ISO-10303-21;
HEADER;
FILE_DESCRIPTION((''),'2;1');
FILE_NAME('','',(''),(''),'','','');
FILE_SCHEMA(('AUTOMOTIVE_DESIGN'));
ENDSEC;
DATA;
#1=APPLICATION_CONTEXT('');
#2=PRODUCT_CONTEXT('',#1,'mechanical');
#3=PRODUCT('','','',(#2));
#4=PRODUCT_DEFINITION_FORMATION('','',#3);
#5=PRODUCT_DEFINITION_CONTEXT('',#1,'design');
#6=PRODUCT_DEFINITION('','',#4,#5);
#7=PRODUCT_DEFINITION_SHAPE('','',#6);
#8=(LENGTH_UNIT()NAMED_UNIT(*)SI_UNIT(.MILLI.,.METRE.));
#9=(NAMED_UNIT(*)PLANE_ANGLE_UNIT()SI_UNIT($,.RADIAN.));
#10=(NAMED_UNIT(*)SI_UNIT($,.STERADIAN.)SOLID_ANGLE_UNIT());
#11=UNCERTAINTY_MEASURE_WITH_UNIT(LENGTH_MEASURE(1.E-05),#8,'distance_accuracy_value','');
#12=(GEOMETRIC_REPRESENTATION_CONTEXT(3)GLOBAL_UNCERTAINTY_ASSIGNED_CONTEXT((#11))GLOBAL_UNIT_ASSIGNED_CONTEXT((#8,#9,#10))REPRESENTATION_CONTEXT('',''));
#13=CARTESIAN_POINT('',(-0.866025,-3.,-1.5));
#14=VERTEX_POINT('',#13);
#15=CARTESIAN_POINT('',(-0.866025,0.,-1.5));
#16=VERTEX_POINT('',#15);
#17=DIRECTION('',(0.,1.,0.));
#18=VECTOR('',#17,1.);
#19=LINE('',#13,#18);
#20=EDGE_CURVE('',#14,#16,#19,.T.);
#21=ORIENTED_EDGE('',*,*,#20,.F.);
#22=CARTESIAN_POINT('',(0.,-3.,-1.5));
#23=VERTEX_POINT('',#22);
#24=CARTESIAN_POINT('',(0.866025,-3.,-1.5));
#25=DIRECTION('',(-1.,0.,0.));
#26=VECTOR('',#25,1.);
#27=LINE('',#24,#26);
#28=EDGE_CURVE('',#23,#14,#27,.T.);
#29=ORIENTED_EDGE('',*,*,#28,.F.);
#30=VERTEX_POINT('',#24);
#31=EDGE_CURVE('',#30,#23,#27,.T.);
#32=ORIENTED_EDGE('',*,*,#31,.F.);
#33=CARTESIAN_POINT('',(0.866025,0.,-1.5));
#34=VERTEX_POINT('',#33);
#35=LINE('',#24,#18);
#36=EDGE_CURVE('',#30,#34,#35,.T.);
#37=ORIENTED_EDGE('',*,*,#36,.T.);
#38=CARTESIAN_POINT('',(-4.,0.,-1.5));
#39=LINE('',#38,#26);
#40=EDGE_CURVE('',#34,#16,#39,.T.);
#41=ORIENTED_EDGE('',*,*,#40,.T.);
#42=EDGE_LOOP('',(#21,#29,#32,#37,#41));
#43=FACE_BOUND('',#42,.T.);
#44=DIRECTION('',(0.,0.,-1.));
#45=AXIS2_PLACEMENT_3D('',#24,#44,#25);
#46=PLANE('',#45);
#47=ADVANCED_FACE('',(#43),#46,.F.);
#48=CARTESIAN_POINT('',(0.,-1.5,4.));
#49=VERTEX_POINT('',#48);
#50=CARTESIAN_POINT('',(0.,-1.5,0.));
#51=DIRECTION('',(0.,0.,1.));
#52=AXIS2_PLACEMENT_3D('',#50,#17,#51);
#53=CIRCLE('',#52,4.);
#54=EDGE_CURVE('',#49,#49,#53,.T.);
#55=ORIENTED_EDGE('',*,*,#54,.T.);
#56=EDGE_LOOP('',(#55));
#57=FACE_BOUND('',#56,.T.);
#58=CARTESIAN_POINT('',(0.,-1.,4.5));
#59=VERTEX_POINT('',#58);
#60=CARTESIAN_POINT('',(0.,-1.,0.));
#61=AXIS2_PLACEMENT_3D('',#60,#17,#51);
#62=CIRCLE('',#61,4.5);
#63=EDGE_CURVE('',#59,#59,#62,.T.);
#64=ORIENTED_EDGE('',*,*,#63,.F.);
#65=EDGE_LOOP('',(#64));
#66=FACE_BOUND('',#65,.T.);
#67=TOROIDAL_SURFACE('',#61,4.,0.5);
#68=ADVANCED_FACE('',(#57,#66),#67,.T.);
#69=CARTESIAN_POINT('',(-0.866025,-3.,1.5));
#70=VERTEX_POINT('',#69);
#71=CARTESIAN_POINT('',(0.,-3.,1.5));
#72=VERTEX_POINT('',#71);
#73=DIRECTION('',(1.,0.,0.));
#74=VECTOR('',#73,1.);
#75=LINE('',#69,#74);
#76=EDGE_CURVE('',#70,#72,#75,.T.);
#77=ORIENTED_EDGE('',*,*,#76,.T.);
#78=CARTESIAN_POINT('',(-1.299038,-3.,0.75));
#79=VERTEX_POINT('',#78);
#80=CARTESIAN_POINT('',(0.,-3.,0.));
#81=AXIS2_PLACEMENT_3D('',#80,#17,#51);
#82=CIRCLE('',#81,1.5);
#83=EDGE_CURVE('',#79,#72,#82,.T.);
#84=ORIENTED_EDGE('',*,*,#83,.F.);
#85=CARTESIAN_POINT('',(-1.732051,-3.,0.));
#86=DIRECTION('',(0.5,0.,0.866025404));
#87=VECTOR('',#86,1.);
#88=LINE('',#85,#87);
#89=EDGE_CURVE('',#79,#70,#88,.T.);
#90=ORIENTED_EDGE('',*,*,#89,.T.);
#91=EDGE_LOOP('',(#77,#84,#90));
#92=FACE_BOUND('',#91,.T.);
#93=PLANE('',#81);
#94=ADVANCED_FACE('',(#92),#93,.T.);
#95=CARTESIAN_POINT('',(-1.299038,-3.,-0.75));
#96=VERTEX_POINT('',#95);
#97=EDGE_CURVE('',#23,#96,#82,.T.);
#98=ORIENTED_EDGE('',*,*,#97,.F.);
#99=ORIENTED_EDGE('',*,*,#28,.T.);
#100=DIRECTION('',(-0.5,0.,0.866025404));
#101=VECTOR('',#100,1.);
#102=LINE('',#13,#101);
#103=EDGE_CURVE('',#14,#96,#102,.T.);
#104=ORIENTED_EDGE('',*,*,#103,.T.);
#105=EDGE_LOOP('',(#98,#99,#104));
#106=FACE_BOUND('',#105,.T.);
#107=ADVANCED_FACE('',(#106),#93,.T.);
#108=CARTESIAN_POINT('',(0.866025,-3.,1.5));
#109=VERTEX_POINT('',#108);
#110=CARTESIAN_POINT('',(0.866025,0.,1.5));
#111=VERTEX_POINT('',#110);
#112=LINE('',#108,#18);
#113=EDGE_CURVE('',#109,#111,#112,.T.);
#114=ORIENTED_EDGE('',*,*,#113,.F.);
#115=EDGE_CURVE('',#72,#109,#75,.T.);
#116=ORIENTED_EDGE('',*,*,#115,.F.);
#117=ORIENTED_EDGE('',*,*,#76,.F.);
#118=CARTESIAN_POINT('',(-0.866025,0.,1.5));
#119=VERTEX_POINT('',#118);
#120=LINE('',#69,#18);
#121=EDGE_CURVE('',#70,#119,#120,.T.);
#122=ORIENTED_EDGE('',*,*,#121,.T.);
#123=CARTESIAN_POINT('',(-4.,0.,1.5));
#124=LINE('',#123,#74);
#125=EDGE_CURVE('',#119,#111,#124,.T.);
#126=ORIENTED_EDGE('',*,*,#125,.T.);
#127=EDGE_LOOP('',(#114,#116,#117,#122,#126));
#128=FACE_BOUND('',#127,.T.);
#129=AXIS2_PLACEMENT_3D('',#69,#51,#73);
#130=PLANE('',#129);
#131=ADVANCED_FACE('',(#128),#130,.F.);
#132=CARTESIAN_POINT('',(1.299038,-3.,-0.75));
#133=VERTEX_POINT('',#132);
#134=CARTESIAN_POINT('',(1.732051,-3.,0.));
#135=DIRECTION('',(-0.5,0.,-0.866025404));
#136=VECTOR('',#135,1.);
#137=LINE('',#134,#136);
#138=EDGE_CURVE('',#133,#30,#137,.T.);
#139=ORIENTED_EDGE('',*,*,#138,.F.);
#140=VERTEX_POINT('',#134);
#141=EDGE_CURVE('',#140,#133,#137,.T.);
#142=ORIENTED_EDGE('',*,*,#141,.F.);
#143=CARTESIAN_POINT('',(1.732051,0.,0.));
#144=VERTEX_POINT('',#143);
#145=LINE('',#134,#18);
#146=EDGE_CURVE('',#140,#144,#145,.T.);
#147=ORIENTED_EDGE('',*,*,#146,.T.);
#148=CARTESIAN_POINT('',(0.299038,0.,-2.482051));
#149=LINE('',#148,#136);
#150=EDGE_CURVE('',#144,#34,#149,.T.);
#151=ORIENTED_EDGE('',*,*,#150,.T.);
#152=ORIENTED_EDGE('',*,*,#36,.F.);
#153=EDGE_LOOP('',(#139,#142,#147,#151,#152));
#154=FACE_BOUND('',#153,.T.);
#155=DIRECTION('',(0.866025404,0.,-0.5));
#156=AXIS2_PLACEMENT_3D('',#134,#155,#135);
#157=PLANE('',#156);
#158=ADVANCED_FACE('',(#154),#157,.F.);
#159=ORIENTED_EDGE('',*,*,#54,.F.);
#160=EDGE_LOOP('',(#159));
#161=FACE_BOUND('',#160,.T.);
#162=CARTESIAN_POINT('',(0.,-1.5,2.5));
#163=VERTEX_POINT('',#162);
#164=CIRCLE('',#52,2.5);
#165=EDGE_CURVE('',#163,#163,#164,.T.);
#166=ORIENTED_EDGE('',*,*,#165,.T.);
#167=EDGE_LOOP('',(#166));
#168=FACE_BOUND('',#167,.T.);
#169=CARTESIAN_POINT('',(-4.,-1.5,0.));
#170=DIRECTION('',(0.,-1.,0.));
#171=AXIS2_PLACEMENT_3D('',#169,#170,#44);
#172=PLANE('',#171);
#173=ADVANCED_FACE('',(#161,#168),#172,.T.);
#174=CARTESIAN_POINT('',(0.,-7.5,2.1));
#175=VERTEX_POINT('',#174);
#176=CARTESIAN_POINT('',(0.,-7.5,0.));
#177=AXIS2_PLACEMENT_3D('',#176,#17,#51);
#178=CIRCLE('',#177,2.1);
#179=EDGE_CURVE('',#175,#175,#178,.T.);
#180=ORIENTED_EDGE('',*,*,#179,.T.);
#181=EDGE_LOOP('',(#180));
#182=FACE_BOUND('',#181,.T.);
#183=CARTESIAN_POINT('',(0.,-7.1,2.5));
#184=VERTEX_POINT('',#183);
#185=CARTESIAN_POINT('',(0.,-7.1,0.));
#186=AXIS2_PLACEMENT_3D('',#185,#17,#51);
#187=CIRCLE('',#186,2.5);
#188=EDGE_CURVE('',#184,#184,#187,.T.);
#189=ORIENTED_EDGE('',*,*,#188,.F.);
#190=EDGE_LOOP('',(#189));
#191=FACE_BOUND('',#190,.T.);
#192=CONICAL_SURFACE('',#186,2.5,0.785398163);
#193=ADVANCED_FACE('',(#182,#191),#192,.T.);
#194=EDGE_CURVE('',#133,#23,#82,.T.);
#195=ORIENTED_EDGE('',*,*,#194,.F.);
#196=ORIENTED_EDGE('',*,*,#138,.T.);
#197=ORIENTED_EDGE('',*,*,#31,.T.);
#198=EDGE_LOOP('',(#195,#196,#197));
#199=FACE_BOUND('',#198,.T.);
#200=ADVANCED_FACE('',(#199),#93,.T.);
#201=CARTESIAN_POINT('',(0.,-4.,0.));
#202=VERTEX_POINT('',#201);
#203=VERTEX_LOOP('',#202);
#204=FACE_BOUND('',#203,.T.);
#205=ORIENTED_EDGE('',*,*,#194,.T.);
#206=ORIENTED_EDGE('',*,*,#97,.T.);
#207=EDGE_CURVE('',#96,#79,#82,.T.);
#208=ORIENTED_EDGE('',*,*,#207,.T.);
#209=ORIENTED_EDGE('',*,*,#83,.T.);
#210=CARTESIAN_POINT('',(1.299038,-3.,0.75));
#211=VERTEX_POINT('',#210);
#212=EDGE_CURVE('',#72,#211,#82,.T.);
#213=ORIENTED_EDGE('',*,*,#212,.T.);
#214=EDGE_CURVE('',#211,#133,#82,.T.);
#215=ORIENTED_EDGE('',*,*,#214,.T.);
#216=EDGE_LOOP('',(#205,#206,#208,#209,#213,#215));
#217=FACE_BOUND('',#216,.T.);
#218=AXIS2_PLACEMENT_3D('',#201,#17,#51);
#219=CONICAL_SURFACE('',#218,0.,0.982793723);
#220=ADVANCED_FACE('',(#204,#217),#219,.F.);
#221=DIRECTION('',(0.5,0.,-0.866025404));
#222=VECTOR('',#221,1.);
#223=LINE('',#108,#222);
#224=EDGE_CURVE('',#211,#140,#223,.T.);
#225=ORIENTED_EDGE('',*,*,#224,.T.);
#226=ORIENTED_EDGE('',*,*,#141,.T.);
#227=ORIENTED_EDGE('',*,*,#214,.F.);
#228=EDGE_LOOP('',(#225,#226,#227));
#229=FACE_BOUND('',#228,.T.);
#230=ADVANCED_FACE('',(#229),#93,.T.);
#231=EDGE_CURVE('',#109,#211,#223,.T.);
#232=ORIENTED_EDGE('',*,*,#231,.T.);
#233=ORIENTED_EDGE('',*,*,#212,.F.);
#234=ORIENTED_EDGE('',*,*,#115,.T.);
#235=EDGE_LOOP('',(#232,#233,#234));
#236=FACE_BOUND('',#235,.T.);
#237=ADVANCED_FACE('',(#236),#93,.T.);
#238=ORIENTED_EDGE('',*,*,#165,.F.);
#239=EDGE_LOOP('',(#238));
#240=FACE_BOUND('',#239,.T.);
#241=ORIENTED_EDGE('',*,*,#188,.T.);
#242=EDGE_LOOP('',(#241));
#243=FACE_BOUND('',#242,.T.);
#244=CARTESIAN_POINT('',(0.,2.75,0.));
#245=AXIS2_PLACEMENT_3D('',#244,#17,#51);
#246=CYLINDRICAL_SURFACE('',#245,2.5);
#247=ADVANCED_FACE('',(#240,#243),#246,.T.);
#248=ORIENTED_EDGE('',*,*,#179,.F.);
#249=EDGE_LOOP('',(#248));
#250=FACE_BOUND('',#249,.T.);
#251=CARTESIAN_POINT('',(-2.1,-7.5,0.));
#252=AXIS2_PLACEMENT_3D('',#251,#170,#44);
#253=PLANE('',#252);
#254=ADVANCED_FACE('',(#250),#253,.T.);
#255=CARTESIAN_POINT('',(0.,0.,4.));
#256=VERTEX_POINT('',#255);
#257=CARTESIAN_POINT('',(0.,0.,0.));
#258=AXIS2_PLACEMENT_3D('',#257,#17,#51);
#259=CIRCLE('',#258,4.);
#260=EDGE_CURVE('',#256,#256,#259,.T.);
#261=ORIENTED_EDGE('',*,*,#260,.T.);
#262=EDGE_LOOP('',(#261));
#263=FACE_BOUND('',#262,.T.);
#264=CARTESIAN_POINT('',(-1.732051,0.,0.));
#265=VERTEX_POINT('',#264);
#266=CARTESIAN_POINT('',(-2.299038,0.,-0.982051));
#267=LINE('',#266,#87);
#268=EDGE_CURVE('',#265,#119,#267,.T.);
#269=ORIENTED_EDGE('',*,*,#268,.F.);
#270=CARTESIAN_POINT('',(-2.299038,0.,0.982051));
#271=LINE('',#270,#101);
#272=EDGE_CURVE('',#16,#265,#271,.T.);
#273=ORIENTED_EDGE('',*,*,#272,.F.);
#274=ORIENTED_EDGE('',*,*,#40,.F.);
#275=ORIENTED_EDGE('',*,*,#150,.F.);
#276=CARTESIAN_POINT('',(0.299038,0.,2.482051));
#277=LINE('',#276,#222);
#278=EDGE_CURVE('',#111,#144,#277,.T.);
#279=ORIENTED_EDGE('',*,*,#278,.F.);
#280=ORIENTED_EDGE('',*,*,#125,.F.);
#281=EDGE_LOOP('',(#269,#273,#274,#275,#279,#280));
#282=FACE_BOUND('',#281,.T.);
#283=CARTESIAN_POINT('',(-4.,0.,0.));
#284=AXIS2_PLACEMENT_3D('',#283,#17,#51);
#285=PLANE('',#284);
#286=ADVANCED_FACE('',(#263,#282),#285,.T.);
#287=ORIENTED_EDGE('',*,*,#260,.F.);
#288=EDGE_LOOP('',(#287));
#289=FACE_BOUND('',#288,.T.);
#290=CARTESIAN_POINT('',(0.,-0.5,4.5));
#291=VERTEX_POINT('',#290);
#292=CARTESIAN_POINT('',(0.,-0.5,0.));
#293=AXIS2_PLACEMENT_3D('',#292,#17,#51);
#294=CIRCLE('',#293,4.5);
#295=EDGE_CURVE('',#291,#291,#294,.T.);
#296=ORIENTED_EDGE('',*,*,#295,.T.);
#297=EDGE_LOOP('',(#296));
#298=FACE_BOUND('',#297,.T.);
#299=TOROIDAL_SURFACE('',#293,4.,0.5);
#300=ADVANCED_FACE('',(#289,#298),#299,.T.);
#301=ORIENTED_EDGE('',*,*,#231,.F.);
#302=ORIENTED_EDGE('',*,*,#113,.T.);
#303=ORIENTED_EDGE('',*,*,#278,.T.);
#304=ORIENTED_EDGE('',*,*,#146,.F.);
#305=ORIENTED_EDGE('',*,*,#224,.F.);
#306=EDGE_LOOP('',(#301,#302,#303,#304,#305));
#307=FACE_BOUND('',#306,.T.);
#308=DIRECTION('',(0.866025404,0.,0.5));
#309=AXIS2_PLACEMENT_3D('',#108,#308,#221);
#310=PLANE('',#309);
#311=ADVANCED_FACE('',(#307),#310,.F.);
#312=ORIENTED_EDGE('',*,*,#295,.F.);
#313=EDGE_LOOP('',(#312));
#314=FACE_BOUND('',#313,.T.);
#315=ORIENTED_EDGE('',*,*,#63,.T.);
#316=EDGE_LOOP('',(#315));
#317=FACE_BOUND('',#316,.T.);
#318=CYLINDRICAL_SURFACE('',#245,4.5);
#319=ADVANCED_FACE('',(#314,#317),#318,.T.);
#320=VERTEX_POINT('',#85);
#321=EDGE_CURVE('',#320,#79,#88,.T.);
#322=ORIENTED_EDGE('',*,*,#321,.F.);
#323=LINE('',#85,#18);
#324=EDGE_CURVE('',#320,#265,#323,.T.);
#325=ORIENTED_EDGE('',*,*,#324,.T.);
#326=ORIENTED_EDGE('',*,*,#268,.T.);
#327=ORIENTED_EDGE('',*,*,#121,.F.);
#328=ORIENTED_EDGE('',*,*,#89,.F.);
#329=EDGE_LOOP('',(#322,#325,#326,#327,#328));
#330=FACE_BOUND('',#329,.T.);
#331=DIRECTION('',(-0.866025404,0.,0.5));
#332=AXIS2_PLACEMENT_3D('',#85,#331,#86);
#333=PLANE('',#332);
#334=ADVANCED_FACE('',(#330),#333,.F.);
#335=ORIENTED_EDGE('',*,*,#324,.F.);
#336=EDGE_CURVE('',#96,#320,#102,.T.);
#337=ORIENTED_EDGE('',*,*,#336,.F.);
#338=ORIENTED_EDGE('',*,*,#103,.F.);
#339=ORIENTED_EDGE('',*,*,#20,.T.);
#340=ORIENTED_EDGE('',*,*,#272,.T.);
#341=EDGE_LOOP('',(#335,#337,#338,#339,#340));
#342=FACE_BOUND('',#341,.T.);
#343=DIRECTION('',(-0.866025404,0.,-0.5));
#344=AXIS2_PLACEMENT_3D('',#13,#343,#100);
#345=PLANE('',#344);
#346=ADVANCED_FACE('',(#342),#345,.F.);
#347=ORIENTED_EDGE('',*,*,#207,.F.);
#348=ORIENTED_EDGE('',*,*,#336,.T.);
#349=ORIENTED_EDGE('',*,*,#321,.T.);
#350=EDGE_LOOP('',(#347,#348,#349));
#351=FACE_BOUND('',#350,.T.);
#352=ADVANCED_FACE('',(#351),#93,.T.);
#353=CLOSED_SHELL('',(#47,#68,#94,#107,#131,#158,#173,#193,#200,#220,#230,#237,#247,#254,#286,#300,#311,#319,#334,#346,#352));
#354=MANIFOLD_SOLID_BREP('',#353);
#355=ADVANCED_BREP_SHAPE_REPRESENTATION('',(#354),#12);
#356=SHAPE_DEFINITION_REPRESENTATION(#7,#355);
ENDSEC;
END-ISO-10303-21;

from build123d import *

# Parameters (mm, degrees)
CUT_EXTRUDE2_DEPTH = 3


with BuildPart() as part:
    # Sketch1 → Revolve1 (revolve)
    with BuildSketch(Plane.XY, mode=Mode.PRIVATE) as revolve1_sk:
        with BuildLine():
            Line((-4.5, -0.5), (-4.5, -1))
            ThreePointArc((-4.5, -1), (-4.353553391, -1.353553391), (-4, -1.5))
            Line((-4, -1.5), (-2.5, -1.5))
            Line((-2.5, -1.5), (-2.5, -7.1))
            Line((-2.5, -7.1), (-2.1, -7.5))
            Line((-2.1, -7.5), (0, -7.5))
            Line((0, -7.5), (0, -4))
            Line((0, -4), (-1.5, -3))
            Line((-1.5, -3), (-1.5, 0))
            Line((-1.5, 0), (-4, 0))
            ThreePointArc((-4, 0), (-4.353553391, -0.146446609), (-4.5, -0.5))
        make_face()
    revolve(revolve1_sk.sketch.rotate(Axis((0, 2.75, 0), (0, -1, 0)), 270), axis=Axis((0, 2.75, 0), (0, -1, 0)))

    # Sketch3 → Cut-Extrude2 (cut)
    with BuildSketch(Plane(origin=(0, 0, 0), x_dir=(1, 0, 0), z_dir=(0, 1, 0))):
        Polygon((-0.866025404, -1.5), (0.866025404, -1.5), (1.732050808, 0), (0.866025404, 1.5), (-0.866025404, 1.5), (-1.732050808, 0), align=None)
    extrude(amount=-CUT_EXTRUDE2_DEPTH, mode=Mode.SUBTRACT)


solid = part.part
